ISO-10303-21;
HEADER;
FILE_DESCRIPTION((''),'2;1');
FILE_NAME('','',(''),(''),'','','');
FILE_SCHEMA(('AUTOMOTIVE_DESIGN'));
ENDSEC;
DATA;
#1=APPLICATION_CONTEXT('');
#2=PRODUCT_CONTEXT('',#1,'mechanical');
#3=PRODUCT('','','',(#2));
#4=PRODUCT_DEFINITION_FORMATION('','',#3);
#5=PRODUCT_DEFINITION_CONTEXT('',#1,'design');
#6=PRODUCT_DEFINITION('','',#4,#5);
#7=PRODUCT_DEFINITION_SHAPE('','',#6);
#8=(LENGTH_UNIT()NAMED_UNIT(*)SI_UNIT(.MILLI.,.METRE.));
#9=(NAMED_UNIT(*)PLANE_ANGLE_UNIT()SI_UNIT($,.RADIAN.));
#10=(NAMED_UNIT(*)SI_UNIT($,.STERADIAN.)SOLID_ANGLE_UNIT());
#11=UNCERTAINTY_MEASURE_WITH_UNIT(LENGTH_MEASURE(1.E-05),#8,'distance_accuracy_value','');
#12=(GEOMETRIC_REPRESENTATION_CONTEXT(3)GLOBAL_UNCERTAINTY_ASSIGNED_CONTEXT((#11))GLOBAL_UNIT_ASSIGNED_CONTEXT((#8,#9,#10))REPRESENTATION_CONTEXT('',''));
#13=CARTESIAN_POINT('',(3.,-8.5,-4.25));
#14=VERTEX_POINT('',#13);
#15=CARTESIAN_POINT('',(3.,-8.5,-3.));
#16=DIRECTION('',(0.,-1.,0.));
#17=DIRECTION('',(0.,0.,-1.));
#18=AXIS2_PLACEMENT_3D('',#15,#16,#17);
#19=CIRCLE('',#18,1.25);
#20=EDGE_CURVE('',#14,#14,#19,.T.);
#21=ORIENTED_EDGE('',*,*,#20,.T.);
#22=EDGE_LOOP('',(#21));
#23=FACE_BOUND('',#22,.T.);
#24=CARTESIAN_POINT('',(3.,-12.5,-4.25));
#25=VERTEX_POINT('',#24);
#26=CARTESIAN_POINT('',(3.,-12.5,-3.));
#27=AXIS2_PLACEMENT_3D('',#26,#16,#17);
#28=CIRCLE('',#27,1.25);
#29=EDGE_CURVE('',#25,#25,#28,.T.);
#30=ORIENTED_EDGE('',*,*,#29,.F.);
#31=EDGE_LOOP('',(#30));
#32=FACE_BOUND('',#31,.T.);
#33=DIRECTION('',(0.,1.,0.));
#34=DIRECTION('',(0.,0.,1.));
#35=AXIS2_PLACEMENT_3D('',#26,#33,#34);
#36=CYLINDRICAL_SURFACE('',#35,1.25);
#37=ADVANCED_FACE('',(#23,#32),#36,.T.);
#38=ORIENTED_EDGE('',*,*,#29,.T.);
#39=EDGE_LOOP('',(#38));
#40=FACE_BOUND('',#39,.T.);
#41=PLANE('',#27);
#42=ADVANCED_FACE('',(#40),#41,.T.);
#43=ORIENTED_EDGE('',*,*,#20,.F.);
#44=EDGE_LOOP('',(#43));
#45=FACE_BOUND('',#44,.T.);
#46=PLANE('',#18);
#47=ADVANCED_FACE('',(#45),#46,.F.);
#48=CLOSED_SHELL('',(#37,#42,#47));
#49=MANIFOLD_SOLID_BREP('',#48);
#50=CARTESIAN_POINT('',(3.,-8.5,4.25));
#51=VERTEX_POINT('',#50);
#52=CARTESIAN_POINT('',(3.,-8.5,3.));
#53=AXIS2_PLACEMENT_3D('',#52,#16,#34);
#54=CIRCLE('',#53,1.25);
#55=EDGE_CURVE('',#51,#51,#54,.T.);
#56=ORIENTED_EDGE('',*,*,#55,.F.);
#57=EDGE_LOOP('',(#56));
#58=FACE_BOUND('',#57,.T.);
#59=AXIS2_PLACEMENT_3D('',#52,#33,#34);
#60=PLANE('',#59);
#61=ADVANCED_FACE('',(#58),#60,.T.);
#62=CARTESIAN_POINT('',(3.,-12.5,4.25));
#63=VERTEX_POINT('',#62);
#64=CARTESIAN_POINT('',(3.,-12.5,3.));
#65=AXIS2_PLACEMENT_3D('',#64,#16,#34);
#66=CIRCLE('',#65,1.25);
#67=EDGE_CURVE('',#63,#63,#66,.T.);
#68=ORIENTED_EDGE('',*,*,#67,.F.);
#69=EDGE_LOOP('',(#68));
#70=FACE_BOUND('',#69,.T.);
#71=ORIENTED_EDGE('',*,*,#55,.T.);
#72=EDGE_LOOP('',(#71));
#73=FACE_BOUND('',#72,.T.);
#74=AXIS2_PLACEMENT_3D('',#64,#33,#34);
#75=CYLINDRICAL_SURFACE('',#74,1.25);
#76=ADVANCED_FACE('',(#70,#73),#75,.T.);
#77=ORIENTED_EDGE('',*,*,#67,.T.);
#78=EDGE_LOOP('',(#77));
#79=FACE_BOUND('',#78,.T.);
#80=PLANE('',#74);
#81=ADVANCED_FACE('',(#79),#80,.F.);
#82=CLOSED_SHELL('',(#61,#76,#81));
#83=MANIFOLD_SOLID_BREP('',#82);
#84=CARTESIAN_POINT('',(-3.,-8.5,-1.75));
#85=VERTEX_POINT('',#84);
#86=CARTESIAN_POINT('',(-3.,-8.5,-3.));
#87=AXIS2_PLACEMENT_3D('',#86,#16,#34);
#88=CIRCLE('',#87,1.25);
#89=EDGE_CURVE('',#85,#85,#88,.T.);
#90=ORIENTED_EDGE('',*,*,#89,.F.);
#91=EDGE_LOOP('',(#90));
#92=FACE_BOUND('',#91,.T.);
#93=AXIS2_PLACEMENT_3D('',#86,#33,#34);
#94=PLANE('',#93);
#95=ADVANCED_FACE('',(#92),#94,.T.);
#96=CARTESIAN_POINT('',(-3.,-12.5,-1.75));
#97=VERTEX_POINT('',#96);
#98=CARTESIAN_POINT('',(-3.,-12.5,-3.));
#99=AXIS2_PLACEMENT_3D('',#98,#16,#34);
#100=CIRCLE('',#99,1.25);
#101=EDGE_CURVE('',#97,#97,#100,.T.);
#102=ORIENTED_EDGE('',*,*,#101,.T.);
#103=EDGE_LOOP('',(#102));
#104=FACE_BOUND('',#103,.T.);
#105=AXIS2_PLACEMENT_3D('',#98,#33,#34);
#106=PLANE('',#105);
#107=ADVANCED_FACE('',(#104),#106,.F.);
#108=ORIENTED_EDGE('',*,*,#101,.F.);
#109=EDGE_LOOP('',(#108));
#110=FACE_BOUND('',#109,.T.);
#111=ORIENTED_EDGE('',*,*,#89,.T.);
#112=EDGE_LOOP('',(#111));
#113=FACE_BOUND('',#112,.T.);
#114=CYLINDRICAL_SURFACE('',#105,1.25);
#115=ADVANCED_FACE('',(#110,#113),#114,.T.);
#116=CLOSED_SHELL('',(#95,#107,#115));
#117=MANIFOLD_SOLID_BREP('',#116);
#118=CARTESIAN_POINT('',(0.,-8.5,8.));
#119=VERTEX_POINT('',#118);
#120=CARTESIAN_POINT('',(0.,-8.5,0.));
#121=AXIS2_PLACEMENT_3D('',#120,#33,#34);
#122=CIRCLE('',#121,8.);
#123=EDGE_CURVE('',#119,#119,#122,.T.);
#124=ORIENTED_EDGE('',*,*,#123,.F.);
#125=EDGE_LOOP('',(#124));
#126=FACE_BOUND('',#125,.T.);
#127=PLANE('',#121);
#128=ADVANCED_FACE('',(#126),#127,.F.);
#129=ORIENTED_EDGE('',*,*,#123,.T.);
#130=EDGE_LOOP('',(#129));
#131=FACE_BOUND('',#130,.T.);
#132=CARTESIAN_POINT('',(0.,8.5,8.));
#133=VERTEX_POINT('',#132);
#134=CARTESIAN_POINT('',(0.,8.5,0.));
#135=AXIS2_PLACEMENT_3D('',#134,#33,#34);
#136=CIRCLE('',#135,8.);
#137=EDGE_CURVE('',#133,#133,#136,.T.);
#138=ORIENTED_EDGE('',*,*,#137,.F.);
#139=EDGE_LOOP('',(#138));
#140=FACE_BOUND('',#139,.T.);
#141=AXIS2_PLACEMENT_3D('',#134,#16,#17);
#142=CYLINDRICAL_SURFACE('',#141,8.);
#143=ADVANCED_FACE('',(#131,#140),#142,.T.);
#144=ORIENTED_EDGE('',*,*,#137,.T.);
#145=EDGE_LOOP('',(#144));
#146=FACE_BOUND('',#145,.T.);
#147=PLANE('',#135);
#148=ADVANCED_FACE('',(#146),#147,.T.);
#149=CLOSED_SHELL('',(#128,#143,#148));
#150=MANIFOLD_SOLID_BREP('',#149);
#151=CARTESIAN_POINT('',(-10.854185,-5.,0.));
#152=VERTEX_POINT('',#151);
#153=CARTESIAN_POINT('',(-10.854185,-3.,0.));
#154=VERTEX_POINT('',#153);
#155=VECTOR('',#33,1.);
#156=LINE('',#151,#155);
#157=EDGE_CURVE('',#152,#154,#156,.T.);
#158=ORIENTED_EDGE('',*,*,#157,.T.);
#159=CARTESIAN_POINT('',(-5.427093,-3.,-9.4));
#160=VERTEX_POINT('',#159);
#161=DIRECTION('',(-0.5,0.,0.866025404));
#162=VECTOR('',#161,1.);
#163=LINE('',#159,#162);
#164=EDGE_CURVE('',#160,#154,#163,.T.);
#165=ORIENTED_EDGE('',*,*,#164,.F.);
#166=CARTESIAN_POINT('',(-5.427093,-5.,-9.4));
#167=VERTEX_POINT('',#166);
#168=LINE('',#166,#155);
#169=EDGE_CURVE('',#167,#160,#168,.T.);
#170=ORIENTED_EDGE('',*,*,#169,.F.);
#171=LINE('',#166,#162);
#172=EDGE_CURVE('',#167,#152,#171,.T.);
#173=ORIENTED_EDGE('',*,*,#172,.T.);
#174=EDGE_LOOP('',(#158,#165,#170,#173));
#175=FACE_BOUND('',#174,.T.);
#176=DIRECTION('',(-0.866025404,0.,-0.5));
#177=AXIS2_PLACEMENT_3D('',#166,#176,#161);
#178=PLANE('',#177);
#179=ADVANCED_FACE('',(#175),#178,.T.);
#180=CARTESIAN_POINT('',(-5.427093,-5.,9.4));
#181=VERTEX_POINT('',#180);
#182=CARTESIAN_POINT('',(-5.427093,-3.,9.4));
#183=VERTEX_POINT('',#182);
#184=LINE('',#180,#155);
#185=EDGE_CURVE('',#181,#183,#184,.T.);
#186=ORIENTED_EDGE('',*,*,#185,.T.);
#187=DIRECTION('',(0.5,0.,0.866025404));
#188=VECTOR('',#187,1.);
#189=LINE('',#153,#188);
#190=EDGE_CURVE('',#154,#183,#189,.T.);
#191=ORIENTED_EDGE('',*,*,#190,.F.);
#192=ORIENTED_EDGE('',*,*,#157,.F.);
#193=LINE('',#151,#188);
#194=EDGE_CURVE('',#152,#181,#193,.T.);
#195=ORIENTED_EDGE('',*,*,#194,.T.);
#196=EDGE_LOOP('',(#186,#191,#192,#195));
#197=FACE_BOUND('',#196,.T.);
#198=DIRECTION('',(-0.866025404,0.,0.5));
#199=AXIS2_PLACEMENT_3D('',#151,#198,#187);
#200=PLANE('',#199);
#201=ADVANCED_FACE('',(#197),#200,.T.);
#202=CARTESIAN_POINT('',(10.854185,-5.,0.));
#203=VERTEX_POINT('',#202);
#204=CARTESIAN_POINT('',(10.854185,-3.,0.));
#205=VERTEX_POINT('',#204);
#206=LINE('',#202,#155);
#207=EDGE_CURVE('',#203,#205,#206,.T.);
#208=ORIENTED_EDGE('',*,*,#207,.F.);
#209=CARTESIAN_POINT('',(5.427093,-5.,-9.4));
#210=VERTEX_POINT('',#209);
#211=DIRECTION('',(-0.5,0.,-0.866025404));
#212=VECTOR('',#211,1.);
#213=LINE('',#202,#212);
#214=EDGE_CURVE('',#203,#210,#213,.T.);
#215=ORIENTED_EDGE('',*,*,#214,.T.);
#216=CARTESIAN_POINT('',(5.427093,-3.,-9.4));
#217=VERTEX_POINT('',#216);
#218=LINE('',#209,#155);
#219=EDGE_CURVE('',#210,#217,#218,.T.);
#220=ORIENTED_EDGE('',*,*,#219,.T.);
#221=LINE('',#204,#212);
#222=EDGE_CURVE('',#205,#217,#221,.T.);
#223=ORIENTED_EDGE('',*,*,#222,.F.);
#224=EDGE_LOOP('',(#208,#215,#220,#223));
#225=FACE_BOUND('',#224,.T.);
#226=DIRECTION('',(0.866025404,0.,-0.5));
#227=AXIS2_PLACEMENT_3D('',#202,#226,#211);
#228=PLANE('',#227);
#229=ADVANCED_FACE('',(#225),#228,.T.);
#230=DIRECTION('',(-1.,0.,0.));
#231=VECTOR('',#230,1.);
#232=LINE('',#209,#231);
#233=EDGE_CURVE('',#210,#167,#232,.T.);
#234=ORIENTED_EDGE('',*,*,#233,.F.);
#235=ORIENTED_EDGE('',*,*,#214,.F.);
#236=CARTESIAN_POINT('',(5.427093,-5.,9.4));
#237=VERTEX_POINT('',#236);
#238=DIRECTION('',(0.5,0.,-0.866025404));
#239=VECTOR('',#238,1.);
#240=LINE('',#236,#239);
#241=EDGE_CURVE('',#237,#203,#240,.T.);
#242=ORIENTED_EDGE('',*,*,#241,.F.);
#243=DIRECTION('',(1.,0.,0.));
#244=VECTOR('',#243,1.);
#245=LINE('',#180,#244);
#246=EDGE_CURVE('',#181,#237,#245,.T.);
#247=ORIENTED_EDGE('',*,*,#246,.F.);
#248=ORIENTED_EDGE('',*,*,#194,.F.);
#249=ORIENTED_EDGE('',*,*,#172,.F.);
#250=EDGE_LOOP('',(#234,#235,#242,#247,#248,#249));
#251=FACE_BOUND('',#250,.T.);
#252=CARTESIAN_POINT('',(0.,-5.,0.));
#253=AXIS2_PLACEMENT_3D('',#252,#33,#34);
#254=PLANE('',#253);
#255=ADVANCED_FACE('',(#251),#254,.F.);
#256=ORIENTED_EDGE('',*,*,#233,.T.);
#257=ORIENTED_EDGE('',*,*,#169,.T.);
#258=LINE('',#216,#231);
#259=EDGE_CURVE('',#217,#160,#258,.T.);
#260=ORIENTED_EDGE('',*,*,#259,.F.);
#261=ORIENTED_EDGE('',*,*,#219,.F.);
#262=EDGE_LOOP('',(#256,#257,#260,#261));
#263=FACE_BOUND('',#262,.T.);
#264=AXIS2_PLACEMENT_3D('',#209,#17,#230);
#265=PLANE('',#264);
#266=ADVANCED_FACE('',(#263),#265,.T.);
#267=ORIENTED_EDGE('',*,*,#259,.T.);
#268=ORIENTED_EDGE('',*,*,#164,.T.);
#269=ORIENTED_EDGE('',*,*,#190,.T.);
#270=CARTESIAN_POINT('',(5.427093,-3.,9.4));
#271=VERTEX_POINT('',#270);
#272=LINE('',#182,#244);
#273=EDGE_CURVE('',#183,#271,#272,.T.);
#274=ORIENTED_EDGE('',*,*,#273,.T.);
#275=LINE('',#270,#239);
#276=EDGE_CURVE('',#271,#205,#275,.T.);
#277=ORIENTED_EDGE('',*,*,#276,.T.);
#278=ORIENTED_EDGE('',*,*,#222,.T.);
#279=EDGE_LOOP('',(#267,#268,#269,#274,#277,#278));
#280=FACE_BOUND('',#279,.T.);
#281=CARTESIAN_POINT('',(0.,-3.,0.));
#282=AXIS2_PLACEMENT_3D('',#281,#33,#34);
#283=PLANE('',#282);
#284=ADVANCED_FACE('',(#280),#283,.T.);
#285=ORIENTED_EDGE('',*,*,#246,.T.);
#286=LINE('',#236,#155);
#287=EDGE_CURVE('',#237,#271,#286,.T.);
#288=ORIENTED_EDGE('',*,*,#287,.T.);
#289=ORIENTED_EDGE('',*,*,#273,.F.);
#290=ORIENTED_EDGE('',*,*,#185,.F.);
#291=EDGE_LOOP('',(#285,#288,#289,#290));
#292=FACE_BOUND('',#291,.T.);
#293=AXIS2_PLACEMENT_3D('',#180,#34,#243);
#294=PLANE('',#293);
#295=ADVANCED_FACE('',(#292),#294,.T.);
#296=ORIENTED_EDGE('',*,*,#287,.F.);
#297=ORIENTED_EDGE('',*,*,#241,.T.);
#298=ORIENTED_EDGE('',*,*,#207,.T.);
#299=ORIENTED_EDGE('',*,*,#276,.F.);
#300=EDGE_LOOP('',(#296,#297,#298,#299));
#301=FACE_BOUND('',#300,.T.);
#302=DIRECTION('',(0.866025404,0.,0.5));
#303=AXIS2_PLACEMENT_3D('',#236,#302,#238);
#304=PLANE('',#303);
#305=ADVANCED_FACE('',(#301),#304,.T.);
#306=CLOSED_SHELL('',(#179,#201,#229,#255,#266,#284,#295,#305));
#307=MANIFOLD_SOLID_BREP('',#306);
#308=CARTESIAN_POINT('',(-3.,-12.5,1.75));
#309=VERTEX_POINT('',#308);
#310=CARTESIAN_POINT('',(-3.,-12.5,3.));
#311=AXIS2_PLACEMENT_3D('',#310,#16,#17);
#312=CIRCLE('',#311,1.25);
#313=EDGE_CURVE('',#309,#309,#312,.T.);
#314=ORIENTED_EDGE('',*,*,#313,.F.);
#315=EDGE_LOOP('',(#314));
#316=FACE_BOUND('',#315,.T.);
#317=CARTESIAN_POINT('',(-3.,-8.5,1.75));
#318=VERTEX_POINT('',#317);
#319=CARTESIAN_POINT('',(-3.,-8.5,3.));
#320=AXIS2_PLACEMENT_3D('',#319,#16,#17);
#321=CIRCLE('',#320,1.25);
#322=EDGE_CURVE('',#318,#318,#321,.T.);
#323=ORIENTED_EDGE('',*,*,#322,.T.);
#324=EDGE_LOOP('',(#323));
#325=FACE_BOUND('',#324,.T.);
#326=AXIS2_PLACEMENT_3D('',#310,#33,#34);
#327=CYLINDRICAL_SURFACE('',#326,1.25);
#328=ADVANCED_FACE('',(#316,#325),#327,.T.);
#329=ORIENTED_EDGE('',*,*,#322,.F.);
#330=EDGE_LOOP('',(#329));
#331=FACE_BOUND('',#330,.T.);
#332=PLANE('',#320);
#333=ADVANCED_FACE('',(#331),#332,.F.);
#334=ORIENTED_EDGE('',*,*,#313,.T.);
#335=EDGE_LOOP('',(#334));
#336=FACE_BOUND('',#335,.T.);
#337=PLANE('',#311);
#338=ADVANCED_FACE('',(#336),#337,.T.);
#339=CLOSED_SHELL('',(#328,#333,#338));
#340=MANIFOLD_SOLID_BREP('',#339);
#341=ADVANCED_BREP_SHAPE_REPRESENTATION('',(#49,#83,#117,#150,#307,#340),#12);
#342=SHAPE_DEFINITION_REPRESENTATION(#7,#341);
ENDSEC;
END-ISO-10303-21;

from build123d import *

# Parameters (mm, degrees)
SKETCH1_R             = 8
BOSS_EXTRUDE1_DEPTH   = 8.5
SKETCH2_R             = 1.25
BOSS_EXTRUDE2_DEPTH   = 4
BOSS_EXTRUDE2_2_DEPTH = 4
BOSS_EXTRUDE2_3_DEPTH = 4
BOSS_EXTRUDE2_4_DEPTH = 4
BOSS_EXTRUDE3_START   = -3
BOSS_EXTRUDE3_DEPTH   = 2


with BuildPart() as part:
    # Sketch1 → Boss-Extrude1 (new body, symmetric)
    with BuildSketch(Plane(origin=(0, 0, 0), x_dir=(1, 0, 0), z_dir=(0, 1, 0))):
        Circle(SKETCH1_R)
    extrude(amount=BOSS_EXTRUDE1_DEPTH, both=True)


with BuildPart() as body_2:
    # Sketch2 → Boss-Extrude2 (new body)
    with BuildSketch(Plane.XZ.offset(8.5)):
        with Locations((-3, 3)):
            Circle(SKETCH2_R)
    extrude(amount=BOSS_EXTRUDE2_DEPTH)


with BuildPart() as body_3:
    # Sketch2 → Boss-Extrude2 2 (new body)
    with BuildSketch(Plane.XZ.offset(8.5)):
        with Locations((3, 3)):
            Circle(SKETCH2_R)
    extrude(amount=BOSS_EXTRUDE2_2_DEPTH)


with BuildPart() as body_4:
    # Sketch2 → Boss-Extrude2 3 (new body)
    with BuildSketch(Plane.XZ.offset(8.5)):
        with Locations((3, -3)):
            Circle(SKETCH2_R)
    extrude(amount=BOSS_EXTRUDE2_3_DEPTH)


with BuildPart() as body_5:
    # Sketch2 → Boss-Extrude2 4 (new body)
    with BuildSketch(Plane.XZ.offset(8.5)):
        with Locations((-3, -3)):
            Circle(SKETCH2_R)
    extrude(amount=BOSS_EXTRUDE2_4_DEPTH)


with BuildPart() as body_6:
    # Sketch3 → Boss-Extrude3 (new body)
    with BuildSketch(Plane(origin=(0, 0, 0), x_dir=(1, 0, 0), z_dir=(0, 1, 0)).offset(BOSS_EXTRUDE3_START)):
        Polygon((10.854185061, 0), (5.42709253, 9.4), (-5.42709253, 9.4), (-10.854185061, 0), (-5.42709253, -9.4), (5.42709253, -9.4), align=None)
    extrude(amount=-BOSS_EXTRUDE3_DEPTH)


solid = Compound([part.part, body_2.part, body_3.part, body_4.part, body_5.part, body_6.part])
